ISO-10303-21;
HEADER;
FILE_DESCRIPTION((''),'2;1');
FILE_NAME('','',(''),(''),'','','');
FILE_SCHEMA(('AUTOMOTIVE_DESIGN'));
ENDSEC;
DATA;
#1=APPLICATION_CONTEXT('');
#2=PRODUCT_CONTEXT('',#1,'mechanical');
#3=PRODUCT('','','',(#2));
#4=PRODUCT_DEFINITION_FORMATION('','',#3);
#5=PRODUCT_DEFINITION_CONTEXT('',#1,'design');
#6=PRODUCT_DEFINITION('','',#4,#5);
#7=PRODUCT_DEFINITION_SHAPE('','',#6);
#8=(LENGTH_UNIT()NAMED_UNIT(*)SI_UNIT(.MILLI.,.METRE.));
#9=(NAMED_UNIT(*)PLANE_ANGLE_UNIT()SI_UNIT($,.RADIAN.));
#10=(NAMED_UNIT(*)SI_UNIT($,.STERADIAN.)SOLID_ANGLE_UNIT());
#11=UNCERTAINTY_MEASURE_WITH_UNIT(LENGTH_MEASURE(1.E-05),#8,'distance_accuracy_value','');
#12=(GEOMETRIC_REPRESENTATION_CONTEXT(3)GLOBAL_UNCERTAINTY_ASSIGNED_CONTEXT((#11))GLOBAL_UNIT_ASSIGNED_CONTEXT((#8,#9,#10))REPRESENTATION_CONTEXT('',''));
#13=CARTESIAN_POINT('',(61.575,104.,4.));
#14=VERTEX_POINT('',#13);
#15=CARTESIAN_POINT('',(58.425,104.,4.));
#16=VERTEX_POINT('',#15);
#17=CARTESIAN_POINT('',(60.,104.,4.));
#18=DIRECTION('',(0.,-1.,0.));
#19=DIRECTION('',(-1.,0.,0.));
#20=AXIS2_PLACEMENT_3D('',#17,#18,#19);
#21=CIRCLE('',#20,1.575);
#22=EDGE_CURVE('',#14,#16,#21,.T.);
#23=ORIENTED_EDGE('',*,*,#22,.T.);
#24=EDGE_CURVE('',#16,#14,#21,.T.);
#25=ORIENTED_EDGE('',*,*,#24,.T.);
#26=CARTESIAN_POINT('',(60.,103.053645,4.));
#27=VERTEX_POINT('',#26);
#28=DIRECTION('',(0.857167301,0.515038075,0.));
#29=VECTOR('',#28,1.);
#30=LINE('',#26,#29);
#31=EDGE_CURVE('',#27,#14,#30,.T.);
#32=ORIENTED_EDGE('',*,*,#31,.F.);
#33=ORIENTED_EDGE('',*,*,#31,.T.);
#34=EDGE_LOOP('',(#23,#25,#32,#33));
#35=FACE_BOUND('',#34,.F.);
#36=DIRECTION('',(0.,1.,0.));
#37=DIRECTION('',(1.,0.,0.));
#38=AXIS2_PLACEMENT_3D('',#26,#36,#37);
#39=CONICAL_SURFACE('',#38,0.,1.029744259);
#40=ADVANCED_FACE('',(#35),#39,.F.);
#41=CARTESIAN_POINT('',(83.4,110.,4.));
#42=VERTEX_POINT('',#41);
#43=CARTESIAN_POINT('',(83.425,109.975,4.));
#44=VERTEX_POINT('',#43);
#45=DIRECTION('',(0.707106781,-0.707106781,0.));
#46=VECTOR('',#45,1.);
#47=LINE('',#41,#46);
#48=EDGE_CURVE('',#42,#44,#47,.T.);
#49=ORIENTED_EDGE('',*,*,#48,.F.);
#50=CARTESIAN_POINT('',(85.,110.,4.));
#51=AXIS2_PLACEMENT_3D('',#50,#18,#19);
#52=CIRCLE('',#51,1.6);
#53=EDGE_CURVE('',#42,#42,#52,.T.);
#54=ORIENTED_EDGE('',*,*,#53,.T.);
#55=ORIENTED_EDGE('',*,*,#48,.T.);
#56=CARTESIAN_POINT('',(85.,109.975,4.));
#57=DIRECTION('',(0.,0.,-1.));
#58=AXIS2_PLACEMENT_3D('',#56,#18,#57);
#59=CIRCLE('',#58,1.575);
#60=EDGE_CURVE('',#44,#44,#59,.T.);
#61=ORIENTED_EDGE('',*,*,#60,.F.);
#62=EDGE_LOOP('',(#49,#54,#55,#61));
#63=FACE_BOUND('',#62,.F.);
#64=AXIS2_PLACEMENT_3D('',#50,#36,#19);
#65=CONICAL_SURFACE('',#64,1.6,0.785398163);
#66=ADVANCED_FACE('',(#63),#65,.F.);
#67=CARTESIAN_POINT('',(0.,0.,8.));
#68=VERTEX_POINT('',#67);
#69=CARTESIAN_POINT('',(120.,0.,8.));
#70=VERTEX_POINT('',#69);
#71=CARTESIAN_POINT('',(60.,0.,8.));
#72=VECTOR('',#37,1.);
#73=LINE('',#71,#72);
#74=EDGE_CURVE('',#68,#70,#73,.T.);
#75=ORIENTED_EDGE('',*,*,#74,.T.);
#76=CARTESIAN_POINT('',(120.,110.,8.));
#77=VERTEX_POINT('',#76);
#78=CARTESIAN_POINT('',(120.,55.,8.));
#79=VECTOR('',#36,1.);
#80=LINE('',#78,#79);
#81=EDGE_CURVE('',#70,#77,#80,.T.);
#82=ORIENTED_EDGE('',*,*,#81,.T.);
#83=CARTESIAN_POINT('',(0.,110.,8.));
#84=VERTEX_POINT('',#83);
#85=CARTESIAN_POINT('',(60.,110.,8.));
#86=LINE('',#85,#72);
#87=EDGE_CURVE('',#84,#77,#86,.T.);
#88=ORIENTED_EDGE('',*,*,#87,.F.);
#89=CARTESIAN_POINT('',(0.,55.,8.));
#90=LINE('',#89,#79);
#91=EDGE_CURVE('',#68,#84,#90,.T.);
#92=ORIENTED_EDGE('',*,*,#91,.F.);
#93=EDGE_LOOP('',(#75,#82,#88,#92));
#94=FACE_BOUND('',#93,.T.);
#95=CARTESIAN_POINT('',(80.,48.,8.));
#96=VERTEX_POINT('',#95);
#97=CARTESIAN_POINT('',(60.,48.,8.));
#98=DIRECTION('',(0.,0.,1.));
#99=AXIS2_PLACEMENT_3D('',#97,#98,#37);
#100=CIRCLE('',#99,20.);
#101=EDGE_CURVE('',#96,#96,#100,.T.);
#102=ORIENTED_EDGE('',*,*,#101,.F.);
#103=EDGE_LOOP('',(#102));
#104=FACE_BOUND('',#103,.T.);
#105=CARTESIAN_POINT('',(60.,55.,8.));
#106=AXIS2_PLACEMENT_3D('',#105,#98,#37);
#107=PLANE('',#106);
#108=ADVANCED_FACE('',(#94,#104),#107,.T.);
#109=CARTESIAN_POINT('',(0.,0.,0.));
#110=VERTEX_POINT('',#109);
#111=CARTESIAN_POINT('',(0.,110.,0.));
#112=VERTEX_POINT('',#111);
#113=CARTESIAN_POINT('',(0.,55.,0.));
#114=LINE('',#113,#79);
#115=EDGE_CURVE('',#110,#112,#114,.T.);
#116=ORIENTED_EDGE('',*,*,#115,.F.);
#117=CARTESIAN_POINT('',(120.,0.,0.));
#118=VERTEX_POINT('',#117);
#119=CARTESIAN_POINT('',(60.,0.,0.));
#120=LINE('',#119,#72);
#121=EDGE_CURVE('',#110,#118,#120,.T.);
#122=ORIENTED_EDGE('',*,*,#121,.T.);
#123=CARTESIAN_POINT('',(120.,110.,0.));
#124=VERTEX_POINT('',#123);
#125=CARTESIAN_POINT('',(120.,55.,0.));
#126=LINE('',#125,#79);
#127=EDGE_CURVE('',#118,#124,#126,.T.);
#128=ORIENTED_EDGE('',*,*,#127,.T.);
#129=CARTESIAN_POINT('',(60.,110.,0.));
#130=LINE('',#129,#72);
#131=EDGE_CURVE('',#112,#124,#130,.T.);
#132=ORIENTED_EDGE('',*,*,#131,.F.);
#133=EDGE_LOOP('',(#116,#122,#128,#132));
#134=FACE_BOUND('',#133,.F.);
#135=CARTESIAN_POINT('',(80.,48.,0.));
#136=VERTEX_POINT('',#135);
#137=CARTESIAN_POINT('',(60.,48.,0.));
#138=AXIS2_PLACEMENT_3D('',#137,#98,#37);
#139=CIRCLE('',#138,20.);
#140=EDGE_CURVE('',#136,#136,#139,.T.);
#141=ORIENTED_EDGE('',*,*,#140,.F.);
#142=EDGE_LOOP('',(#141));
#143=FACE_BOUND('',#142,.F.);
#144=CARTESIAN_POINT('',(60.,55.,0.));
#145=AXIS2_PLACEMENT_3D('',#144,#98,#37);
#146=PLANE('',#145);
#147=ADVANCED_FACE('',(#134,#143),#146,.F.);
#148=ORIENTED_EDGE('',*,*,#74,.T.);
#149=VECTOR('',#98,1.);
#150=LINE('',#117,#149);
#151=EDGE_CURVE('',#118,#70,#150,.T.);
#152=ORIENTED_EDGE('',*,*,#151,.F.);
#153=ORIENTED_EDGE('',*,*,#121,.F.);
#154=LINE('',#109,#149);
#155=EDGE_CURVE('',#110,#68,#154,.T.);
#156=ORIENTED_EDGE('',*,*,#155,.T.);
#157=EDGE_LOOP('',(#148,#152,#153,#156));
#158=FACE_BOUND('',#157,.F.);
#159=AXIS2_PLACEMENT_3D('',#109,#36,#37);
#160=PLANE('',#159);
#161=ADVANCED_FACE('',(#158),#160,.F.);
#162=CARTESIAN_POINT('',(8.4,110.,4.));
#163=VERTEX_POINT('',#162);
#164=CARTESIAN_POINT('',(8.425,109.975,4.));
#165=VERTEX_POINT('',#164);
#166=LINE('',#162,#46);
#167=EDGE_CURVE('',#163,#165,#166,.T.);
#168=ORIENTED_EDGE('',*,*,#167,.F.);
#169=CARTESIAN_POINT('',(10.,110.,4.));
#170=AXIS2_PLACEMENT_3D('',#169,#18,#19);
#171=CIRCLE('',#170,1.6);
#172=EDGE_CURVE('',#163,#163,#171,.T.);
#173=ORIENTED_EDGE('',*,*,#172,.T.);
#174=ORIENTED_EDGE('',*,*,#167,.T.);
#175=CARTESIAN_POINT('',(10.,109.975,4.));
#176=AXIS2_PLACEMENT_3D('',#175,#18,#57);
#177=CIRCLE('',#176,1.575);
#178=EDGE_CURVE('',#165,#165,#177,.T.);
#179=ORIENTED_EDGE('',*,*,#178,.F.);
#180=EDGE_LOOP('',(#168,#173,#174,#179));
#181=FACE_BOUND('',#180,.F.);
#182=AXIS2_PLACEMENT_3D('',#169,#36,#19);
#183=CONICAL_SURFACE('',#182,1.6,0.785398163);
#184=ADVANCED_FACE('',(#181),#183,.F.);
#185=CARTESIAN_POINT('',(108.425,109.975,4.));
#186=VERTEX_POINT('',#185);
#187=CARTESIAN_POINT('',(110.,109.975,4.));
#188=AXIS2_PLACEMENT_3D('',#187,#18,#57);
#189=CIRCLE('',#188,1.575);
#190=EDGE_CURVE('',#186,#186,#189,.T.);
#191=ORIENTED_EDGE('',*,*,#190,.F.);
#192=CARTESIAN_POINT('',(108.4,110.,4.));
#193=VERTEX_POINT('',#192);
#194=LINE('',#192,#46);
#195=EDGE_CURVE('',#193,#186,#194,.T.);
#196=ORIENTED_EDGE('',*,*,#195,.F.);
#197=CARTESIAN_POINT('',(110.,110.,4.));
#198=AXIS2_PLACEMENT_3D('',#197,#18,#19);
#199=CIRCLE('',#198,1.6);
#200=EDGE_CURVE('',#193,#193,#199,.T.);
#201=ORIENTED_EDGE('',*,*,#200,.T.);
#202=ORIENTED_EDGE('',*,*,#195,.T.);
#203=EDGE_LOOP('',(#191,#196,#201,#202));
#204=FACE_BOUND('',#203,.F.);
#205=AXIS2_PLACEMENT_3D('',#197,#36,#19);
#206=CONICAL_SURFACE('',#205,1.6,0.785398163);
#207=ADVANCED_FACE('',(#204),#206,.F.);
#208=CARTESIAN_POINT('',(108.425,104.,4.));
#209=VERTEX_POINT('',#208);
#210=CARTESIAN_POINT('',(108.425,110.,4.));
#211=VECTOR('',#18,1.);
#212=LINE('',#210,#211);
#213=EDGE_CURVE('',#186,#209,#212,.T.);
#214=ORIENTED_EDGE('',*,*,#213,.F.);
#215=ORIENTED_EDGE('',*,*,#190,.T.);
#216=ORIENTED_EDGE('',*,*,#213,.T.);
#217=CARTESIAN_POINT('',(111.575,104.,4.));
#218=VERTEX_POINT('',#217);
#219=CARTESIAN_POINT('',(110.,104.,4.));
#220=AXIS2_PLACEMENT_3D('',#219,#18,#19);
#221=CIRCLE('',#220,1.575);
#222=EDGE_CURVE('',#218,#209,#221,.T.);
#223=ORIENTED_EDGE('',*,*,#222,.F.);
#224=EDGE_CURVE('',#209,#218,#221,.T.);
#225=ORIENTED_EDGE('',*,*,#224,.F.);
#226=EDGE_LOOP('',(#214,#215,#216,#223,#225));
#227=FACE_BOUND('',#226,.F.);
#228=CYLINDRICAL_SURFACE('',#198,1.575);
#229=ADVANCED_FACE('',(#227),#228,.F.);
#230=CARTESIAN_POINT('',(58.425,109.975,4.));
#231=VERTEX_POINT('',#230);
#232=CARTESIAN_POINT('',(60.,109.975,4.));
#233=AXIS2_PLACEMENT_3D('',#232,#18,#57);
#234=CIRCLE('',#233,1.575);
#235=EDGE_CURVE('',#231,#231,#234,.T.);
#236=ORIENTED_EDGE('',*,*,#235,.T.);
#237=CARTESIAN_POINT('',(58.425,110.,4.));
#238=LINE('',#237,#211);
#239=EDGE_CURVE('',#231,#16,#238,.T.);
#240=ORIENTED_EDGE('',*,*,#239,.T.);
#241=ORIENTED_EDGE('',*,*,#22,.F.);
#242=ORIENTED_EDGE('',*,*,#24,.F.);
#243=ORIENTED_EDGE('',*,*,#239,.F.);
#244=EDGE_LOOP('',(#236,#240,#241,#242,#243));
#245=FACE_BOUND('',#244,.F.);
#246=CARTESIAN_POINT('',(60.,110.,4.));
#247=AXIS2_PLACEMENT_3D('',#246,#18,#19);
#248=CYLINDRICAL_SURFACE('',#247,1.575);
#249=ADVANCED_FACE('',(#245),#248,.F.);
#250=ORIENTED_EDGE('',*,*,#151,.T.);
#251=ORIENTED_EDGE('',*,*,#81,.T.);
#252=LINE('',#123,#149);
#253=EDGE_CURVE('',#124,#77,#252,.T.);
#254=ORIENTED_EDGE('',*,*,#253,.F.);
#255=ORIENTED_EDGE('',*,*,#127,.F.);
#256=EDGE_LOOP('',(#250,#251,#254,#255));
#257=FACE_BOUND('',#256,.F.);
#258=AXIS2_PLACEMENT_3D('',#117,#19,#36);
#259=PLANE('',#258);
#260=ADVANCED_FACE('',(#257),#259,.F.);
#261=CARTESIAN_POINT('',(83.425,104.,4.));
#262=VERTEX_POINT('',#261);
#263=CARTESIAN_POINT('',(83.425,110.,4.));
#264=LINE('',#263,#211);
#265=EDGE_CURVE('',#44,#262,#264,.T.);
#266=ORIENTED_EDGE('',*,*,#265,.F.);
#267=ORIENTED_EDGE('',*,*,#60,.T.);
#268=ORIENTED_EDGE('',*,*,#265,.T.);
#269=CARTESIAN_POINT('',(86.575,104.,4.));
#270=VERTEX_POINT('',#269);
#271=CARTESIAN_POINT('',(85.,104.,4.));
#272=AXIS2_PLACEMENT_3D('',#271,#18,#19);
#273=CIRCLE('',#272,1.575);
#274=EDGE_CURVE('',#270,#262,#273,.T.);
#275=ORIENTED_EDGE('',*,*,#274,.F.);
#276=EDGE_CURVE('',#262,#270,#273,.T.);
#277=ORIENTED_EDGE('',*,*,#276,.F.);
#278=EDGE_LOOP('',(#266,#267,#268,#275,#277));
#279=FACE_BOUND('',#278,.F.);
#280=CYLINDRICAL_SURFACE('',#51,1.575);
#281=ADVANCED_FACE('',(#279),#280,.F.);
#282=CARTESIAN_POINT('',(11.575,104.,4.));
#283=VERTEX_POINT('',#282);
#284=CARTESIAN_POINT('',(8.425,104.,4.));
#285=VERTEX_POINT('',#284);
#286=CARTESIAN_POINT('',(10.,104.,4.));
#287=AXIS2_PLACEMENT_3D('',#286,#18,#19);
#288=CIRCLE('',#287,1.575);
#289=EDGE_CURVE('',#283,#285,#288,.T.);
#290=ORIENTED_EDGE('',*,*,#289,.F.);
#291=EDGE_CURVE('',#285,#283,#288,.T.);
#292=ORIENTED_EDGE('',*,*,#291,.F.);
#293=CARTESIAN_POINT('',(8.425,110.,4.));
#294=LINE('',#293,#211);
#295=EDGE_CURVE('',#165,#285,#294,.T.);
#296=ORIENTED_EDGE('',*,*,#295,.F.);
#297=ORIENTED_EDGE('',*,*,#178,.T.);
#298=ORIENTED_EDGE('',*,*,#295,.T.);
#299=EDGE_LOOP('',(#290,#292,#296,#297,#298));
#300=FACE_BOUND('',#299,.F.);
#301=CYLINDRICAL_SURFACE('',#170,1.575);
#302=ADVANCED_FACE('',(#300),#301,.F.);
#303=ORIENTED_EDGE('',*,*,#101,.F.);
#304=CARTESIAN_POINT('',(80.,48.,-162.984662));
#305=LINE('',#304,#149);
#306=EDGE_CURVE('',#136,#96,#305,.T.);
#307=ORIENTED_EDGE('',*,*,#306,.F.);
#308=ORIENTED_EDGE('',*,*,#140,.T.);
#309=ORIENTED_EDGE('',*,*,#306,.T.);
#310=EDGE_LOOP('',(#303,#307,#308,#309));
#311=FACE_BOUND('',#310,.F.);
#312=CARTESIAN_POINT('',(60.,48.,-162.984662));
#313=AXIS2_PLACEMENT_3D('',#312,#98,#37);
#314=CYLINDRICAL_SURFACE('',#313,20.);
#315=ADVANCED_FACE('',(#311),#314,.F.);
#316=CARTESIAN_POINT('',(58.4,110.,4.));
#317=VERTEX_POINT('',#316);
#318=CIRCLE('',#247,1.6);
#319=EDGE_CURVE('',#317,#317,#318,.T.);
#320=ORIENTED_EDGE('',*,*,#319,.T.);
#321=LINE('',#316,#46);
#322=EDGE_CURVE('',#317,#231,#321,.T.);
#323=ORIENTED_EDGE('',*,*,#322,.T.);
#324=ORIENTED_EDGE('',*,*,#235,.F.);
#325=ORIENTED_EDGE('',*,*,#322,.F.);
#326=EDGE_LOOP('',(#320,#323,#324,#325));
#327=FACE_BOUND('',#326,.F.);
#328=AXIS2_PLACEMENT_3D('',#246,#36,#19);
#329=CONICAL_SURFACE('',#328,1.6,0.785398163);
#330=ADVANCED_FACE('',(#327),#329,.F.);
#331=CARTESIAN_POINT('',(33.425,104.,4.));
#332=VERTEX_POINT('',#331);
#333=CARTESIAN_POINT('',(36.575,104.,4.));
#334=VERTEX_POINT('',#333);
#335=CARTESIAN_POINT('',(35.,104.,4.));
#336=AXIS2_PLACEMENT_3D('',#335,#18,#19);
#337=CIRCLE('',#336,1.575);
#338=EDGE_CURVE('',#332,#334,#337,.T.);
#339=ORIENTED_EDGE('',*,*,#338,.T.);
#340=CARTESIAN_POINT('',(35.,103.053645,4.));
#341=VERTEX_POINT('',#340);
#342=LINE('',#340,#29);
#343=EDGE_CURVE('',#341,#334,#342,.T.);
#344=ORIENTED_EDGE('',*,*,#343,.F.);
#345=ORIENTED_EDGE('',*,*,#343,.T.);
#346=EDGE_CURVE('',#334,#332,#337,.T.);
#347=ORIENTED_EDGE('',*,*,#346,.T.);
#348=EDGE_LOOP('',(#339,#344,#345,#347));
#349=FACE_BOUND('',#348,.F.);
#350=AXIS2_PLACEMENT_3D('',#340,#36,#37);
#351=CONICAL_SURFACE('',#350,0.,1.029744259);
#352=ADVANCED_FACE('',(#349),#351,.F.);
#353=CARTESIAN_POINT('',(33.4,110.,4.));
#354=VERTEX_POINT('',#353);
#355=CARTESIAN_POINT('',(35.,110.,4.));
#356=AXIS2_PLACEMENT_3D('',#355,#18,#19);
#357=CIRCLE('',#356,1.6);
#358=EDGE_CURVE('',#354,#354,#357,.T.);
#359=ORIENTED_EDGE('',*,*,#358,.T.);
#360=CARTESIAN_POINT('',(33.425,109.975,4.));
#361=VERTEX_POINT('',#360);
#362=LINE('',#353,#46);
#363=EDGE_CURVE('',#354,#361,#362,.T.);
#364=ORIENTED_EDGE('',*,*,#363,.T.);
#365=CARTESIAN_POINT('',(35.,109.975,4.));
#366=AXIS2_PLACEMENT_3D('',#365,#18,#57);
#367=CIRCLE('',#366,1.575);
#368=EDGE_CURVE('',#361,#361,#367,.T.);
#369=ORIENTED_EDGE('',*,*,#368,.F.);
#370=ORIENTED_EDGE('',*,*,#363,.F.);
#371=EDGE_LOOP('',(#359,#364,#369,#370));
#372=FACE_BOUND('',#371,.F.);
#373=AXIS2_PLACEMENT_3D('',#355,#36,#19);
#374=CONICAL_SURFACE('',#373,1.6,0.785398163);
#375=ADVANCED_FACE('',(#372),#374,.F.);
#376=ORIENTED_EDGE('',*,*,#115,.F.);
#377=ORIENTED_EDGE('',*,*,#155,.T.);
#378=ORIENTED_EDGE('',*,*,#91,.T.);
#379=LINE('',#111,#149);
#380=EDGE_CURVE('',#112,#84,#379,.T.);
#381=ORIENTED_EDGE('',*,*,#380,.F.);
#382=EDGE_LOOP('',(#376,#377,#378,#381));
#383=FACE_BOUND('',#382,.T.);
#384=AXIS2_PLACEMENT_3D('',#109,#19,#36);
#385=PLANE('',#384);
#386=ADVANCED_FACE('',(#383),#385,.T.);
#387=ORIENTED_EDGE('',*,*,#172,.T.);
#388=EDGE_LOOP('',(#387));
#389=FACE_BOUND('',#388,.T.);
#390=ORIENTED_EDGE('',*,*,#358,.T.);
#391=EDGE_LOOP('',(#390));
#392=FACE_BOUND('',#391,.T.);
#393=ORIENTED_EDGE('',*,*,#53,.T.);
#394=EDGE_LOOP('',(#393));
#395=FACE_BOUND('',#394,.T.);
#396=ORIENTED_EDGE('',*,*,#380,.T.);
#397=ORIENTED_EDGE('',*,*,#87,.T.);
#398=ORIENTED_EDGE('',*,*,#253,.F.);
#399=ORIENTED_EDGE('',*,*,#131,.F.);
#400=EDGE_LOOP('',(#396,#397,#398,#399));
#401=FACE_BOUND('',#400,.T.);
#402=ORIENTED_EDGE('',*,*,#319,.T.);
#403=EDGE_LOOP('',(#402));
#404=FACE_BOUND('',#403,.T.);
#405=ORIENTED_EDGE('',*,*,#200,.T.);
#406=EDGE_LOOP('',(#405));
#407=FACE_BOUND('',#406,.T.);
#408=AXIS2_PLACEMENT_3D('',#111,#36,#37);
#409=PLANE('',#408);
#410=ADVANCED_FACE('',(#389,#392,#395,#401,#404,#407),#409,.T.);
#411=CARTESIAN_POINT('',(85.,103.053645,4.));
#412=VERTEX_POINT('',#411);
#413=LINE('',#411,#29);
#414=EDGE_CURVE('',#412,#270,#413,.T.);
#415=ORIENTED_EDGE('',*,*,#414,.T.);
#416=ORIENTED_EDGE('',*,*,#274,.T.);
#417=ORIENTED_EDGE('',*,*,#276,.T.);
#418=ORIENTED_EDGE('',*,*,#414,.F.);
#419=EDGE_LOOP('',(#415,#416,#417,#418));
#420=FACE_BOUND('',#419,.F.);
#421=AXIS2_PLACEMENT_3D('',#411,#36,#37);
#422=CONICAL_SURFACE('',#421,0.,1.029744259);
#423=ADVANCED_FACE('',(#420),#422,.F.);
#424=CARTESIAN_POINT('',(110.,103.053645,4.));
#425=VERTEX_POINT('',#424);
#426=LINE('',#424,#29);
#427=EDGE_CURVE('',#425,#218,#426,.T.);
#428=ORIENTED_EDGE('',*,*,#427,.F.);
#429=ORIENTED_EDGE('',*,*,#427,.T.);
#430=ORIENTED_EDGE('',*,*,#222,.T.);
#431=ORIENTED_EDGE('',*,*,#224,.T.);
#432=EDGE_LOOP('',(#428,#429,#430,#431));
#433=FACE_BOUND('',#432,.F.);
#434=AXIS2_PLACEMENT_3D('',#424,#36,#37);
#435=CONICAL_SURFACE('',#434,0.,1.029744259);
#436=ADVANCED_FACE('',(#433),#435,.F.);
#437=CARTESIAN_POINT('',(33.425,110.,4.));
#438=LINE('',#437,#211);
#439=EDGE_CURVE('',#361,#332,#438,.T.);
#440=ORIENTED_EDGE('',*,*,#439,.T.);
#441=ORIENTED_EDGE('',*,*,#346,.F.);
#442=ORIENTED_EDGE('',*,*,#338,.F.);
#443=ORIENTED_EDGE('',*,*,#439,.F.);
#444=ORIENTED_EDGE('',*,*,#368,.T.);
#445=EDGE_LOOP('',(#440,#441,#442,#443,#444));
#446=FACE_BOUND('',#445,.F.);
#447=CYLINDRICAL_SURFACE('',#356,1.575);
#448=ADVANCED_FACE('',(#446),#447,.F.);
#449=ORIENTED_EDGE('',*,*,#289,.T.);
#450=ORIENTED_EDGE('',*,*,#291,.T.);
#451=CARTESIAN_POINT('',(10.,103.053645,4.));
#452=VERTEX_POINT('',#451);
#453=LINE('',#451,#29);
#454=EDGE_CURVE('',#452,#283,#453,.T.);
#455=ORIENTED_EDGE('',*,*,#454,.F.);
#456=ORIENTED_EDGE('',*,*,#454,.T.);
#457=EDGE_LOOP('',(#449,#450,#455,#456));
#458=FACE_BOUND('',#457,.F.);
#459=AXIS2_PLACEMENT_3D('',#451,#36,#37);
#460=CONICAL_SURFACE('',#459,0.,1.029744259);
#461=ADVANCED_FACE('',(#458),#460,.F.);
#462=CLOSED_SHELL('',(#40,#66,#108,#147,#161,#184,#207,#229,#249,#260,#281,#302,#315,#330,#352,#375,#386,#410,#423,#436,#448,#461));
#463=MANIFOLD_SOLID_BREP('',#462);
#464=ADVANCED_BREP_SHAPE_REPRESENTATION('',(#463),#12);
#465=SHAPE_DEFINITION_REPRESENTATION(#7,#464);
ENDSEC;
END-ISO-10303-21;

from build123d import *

# Parameters (mm, degrees)
SKETCH1_W                              = 120
SKETCH1_H                              = 110
BOSS_EXTRUDE1_DEPTH                    = 8
TAP_DRILL_FOR_M3_HELICOIL1_D           = 3.15
TAP_DRILL_FOR_M3_HELICOIL1_DEPTH       = 6
TAP_DRILL_FOR_M3_HELICOIL1_CSINK_D     = 3.2
TAP_DRILL_FOR_M3_HELICOIL1_CSINK_ANGLE = 90
TAP_DRILL_FOR_M3_HELICOIL1_TIP         = 0.946355475
F_40_0_40_DIAMETER_HOLE1_D             = 40


with BuildPart() as part:
    # Sketch1 → Boss-Extrude1 (new body)
    with BuildSketch(Plane.XY):
        with Locations((60, 55)):
            Rectangle(SKETCH1_W, SKETCH1_H)
    extrude(amount=BOSS_EXTRUDE1_DEPTH)

    # Tap Drill for M3 Helicoil1
    with Locations(Plane(origin=(0, 110, 0), x_dir=(1, 0, 0), z_dir=(0, 1, 0))):
        with Locations((10, -4), (60, -4), (85, -4), (110, -4), (35, -4)):
            CounterSinkHole(TAP_DRILL_FOR_M3_HELICOIL1_D / 2, TAP_DRILL_FOR_M3_HELICOIL1_CSINK_D / 2, depth=TAP_DRILL_FOR_M3_HELICOIL1_DEPTH, counter_sink_angle=TAP_DRILL_FOR_M3_HELICOIL1_CSINK_ANGLE)
            with Locations((0, 0, -(TAP_DRILL_FOR_M3_HELICOIL1_DEPTH + TAP_DRILL_FOR_M3_HELICOIL1_TIP / 2))):  # 118° drill point
                Cone(0, TAP_DRILL_FOR_M3_HELICOIL1_D / 2, TAP_DRILL_FOR_M3_HELICOIL1_TIP, mode=Mode.SUBTRACT)

    # Ø40.0 (40) Diameter Hole1 (through all)
    with Locations(Plane(origin=(0, 0, 0), x_dir=(-1, 0, 0), z_dir=(0, 0, -1))):
        with Locations((-60, 48)):
            Hole(F_40_0_40_DIAMETER_HOLE1_D / 2)


solid = part.part
